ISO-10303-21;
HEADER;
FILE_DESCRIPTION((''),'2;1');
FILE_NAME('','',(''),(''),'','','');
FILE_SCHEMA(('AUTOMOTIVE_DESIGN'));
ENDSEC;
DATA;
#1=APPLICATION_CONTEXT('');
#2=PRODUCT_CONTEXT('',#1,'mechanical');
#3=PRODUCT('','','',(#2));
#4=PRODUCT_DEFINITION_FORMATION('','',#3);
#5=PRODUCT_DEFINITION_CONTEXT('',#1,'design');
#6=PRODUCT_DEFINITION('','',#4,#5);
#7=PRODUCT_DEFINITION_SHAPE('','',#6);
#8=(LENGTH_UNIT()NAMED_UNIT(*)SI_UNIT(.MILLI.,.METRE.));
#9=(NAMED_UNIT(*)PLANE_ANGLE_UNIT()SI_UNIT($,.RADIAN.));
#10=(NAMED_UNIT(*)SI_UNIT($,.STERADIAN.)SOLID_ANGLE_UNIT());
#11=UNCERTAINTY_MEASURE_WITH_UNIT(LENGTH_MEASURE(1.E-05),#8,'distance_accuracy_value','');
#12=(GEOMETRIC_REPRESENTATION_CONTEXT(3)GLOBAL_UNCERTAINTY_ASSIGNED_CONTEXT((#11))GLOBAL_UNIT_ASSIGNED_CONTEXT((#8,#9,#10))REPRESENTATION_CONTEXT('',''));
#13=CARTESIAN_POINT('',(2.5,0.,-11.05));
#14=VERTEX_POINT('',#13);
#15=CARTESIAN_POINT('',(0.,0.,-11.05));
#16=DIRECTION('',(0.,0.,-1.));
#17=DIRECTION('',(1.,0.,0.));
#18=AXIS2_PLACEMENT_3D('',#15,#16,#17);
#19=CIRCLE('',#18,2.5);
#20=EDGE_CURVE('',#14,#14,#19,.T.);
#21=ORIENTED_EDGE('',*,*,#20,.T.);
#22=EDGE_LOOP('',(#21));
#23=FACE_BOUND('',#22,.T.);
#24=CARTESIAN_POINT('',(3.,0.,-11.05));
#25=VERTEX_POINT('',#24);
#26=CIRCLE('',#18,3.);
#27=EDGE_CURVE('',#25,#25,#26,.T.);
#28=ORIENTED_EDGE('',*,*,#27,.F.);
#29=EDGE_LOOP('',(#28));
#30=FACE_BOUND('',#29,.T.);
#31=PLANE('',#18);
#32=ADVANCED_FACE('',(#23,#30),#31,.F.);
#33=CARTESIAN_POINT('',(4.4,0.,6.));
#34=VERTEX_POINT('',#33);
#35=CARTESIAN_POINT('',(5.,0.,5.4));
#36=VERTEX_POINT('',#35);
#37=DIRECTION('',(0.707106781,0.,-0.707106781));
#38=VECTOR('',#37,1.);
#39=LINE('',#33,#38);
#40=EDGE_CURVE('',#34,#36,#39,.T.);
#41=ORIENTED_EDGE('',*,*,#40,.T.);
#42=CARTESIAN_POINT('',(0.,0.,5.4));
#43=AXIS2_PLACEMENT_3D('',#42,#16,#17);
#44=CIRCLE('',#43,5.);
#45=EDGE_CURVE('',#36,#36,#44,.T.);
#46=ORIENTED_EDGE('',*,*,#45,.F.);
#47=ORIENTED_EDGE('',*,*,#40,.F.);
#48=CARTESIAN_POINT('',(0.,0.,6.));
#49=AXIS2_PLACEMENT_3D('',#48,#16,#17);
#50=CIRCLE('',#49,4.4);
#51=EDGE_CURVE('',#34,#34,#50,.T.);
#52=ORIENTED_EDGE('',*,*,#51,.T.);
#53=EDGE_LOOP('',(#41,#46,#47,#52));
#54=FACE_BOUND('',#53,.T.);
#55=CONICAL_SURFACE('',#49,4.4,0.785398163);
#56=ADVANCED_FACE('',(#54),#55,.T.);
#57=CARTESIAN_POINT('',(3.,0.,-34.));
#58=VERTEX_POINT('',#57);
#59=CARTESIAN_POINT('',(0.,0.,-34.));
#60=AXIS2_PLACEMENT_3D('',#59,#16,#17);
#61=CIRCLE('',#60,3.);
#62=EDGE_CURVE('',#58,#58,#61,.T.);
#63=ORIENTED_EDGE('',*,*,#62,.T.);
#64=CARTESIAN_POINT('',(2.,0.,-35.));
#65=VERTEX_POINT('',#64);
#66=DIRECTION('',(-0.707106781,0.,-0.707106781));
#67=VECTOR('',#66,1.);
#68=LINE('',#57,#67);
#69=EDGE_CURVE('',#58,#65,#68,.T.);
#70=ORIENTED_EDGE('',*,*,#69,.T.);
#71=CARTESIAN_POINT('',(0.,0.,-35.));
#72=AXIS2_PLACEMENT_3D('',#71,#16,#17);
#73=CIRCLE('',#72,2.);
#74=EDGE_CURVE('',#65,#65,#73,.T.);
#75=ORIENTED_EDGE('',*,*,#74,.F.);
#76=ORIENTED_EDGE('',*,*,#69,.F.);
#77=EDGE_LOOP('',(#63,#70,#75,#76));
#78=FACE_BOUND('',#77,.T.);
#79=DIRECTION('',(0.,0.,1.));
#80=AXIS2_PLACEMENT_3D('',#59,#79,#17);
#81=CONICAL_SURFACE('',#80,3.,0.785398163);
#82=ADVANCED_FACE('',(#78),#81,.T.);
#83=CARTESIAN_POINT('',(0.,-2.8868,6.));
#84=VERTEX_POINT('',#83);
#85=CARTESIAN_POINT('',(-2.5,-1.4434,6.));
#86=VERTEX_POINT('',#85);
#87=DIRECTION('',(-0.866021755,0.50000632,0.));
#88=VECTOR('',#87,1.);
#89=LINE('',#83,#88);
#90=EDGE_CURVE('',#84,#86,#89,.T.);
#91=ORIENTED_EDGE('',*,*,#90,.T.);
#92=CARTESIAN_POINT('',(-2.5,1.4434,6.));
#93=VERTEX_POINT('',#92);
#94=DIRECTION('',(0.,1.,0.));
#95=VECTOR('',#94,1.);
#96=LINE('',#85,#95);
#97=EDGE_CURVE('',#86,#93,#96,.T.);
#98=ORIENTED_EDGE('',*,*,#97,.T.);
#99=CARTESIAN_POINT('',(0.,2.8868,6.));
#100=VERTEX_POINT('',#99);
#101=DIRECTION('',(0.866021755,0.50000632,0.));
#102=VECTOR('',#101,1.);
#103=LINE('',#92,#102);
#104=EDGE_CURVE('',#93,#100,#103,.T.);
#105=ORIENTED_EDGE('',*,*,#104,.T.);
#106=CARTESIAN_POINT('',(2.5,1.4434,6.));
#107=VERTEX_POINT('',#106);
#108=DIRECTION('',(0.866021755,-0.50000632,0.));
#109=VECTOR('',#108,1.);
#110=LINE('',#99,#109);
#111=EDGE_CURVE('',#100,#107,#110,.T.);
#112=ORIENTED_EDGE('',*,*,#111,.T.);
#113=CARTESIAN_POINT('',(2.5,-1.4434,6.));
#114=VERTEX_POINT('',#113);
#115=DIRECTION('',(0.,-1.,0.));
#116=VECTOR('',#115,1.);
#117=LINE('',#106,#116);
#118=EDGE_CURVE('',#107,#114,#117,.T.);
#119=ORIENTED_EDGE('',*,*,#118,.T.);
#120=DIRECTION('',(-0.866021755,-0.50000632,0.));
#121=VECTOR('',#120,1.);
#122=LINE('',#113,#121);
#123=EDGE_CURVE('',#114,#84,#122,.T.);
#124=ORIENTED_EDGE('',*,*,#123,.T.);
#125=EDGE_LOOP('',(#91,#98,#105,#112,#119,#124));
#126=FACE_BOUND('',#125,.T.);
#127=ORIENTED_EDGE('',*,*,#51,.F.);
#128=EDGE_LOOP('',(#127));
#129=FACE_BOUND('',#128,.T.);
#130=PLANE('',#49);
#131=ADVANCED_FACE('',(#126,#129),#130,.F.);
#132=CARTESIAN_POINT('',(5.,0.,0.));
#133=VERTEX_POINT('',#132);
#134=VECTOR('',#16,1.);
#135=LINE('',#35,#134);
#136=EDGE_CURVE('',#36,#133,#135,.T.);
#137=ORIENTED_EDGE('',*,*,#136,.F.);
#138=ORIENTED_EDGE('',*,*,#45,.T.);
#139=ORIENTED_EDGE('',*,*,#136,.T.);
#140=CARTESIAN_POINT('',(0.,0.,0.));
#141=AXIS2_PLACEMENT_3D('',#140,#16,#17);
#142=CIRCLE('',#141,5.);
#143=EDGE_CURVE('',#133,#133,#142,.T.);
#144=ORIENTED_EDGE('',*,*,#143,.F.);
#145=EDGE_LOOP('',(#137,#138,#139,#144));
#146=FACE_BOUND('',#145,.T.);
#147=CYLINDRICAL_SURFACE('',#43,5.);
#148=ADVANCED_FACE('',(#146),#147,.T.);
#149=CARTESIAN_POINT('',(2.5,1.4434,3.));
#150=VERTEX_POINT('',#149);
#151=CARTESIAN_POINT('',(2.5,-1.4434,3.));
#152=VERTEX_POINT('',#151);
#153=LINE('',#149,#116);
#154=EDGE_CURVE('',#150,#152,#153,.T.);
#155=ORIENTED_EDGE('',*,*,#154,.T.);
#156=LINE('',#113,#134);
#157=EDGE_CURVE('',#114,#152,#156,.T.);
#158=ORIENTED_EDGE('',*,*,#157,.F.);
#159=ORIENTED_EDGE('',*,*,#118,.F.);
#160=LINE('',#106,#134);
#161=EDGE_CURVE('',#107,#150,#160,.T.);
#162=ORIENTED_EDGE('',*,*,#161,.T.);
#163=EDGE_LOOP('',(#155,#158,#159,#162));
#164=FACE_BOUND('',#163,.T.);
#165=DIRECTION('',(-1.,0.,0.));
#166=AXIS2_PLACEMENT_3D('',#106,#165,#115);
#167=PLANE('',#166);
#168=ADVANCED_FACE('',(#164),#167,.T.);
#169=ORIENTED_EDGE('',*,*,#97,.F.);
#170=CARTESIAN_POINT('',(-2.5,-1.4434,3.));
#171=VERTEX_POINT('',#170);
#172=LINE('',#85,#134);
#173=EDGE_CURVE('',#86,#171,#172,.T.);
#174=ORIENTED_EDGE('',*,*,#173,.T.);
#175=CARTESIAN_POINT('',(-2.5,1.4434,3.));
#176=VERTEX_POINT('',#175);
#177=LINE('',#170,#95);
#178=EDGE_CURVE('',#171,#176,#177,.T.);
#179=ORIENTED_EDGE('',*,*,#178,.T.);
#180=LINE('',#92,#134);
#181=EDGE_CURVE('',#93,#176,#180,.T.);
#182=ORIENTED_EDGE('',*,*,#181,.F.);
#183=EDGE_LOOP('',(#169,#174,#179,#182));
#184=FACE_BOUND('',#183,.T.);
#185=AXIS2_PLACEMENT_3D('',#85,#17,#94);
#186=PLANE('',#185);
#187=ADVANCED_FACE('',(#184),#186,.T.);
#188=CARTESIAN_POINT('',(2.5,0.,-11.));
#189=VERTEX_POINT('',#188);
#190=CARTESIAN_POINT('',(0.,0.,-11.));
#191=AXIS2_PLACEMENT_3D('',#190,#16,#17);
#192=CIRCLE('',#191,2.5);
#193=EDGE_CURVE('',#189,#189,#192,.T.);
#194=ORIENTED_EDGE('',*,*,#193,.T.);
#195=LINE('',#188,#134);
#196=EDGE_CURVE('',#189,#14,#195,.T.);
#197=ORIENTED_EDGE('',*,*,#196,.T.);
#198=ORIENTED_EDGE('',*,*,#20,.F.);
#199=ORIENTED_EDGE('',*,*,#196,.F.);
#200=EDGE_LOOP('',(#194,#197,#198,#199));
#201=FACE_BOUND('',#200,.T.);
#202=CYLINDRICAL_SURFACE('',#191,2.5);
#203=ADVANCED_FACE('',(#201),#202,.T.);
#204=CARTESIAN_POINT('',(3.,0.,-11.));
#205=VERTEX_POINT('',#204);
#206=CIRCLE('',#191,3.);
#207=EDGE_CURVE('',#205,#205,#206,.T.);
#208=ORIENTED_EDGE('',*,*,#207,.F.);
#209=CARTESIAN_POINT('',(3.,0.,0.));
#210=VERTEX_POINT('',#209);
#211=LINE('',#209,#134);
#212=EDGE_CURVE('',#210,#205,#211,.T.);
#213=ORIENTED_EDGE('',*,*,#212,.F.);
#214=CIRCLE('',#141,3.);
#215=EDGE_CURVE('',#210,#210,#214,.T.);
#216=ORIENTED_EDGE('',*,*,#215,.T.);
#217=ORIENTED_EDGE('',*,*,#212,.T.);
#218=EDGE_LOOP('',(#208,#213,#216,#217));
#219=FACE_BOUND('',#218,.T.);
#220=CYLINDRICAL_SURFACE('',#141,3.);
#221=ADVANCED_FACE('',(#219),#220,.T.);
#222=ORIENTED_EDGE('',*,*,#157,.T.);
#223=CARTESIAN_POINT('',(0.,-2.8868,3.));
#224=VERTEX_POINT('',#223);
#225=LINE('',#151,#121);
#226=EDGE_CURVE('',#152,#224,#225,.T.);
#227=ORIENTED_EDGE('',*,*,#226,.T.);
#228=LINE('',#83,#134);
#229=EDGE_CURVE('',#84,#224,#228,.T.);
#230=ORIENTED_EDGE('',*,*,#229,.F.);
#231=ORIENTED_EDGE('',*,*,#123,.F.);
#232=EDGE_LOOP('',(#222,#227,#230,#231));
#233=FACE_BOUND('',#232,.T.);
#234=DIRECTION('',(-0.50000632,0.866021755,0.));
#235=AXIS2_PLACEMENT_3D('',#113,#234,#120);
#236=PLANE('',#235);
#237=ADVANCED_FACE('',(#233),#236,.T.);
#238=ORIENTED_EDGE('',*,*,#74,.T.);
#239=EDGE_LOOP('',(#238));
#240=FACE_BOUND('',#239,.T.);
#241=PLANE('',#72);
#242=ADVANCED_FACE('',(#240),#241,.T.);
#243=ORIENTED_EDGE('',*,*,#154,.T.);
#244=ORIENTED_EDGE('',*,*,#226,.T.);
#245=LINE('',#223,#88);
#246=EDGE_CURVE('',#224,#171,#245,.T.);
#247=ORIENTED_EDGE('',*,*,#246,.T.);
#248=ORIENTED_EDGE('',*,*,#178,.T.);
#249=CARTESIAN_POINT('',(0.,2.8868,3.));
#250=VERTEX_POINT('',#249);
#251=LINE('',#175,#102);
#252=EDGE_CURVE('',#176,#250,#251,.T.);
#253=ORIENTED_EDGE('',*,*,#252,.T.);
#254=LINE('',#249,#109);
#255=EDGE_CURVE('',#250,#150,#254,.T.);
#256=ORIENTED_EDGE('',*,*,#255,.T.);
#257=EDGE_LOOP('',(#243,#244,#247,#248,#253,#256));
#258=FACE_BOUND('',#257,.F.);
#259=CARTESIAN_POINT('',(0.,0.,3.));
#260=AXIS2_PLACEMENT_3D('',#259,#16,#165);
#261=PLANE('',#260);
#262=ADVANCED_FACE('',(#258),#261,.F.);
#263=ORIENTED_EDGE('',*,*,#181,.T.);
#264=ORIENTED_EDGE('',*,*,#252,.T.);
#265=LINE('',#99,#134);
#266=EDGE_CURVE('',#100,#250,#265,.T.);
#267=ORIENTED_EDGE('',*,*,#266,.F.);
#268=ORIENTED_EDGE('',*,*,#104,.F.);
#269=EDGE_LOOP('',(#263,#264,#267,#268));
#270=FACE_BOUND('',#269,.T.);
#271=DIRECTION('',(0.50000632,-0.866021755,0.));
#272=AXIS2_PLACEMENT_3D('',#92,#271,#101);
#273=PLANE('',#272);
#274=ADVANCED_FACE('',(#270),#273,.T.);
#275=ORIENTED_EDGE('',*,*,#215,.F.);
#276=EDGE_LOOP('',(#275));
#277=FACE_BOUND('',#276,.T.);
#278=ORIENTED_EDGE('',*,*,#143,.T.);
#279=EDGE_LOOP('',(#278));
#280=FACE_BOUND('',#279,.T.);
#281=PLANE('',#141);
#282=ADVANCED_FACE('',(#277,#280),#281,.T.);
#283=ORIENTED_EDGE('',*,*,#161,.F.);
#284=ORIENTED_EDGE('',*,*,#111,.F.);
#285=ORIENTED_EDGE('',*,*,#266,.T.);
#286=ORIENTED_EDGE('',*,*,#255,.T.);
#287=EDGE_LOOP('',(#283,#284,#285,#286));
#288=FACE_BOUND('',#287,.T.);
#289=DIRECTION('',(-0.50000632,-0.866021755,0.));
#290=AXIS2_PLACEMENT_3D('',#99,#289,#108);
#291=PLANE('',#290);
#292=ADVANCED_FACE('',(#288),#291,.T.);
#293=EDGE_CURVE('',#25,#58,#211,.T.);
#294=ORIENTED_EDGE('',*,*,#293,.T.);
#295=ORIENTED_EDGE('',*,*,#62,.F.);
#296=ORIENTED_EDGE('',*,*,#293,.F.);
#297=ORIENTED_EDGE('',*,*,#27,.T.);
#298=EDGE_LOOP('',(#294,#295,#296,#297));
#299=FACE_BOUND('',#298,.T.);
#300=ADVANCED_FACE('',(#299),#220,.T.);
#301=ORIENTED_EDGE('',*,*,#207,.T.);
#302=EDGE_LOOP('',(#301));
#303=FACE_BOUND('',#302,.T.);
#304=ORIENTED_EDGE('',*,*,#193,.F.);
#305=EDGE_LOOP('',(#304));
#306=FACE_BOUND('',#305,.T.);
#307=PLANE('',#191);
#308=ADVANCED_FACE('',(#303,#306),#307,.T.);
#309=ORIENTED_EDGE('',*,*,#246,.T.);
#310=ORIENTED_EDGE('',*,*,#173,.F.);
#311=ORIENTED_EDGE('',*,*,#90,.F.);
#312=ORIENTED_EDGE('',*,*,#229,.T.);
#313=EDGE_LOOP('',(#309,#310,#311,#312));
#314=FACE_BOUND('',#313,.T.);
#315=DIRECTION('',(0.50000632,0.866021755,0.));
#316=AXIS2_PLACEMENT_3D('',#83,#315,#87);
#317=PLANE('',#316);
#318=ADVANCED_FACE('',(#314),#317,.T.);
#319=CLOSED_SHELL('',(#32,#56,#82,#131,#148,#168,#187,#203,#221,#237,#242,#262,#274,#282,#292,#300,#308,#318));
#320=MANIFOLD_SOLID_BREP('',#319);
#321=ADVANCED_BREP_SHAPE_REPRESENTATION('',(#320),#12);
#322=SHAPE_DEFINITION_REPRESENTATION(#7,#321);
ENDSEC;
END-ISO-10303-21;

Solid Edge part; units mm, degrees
sketch "Sketch1" plane through (0, 0, 0) normal (0, -1, 0) x (1, 0, 0)
  line L0 (0, 6) -> (4.4, 6)
  line L1 (4.4, 6) -> (5, 5.4)
  line L2 (5, 5.4) -> (5, 0)
  line L3 (5, 0) -> (3, 0)
  line L4 (3, 0) -> (3, -34)
  line L5 (3, -34) -> (2, -35)
  line L6 (2, -35) -> (0, -35)
  line L7 (0, -35) -> (0, 6)
  dimension "D1" = 6
  dimension "D2" = 35
  dimension "D3" = 1
  dimension "D4" = 0.6
  dimension "D5" = 0.6
revolve "RevolvedProtrusion1" add sketch "Sketch1" angle 360 about axis through (0, 0, 54) along (0, 0, -1)
sketch "Sketch2" plane through (0, 0, 6) normal (0, 0, 1) x (0, 1, 0)
  line L0 (-2.8868, 0) -> (-1.4434, 2.5)
  line L1 (-1.4434, 2.5) -> (1.4434, 2.5)
  line L2 (1.4434, 2.5) -> (2.8868, 0)
  line L3 (2.8868, 0) -> (1.4434, -2.5)
  line L4 (1.4434, -2.5) -> (-1.4434, -2.5)
  line L5 (-1.4434, -2.5) -> (-2.8868, 0)
  dimension "D1" = 5
extrude "Cutout1" cut sketch "Sketch2" against normal blind 3
sketch "Sketch3" plane through (0, 0, 0) normal (0, -1, 0) x (1, 0, 0)
  line L0 (3, -11) -> (2.5, -11)
  line L1 (2.5, -11) -> (2.5, -11.05)
  line L2 (2.5, -11.05) -> (3, -11.05)
  dimension "D1" = 0.05
  dimension "D2" = 11
revolve "RevolvedCutout1" cut sketch "Sketch3" angle 360 about axis through (0, 0, 54) along (0, 0, -1) material side at (2.75, 0, -11.05)
cosmetic_thread "Thread1"
properties material "Steel"
